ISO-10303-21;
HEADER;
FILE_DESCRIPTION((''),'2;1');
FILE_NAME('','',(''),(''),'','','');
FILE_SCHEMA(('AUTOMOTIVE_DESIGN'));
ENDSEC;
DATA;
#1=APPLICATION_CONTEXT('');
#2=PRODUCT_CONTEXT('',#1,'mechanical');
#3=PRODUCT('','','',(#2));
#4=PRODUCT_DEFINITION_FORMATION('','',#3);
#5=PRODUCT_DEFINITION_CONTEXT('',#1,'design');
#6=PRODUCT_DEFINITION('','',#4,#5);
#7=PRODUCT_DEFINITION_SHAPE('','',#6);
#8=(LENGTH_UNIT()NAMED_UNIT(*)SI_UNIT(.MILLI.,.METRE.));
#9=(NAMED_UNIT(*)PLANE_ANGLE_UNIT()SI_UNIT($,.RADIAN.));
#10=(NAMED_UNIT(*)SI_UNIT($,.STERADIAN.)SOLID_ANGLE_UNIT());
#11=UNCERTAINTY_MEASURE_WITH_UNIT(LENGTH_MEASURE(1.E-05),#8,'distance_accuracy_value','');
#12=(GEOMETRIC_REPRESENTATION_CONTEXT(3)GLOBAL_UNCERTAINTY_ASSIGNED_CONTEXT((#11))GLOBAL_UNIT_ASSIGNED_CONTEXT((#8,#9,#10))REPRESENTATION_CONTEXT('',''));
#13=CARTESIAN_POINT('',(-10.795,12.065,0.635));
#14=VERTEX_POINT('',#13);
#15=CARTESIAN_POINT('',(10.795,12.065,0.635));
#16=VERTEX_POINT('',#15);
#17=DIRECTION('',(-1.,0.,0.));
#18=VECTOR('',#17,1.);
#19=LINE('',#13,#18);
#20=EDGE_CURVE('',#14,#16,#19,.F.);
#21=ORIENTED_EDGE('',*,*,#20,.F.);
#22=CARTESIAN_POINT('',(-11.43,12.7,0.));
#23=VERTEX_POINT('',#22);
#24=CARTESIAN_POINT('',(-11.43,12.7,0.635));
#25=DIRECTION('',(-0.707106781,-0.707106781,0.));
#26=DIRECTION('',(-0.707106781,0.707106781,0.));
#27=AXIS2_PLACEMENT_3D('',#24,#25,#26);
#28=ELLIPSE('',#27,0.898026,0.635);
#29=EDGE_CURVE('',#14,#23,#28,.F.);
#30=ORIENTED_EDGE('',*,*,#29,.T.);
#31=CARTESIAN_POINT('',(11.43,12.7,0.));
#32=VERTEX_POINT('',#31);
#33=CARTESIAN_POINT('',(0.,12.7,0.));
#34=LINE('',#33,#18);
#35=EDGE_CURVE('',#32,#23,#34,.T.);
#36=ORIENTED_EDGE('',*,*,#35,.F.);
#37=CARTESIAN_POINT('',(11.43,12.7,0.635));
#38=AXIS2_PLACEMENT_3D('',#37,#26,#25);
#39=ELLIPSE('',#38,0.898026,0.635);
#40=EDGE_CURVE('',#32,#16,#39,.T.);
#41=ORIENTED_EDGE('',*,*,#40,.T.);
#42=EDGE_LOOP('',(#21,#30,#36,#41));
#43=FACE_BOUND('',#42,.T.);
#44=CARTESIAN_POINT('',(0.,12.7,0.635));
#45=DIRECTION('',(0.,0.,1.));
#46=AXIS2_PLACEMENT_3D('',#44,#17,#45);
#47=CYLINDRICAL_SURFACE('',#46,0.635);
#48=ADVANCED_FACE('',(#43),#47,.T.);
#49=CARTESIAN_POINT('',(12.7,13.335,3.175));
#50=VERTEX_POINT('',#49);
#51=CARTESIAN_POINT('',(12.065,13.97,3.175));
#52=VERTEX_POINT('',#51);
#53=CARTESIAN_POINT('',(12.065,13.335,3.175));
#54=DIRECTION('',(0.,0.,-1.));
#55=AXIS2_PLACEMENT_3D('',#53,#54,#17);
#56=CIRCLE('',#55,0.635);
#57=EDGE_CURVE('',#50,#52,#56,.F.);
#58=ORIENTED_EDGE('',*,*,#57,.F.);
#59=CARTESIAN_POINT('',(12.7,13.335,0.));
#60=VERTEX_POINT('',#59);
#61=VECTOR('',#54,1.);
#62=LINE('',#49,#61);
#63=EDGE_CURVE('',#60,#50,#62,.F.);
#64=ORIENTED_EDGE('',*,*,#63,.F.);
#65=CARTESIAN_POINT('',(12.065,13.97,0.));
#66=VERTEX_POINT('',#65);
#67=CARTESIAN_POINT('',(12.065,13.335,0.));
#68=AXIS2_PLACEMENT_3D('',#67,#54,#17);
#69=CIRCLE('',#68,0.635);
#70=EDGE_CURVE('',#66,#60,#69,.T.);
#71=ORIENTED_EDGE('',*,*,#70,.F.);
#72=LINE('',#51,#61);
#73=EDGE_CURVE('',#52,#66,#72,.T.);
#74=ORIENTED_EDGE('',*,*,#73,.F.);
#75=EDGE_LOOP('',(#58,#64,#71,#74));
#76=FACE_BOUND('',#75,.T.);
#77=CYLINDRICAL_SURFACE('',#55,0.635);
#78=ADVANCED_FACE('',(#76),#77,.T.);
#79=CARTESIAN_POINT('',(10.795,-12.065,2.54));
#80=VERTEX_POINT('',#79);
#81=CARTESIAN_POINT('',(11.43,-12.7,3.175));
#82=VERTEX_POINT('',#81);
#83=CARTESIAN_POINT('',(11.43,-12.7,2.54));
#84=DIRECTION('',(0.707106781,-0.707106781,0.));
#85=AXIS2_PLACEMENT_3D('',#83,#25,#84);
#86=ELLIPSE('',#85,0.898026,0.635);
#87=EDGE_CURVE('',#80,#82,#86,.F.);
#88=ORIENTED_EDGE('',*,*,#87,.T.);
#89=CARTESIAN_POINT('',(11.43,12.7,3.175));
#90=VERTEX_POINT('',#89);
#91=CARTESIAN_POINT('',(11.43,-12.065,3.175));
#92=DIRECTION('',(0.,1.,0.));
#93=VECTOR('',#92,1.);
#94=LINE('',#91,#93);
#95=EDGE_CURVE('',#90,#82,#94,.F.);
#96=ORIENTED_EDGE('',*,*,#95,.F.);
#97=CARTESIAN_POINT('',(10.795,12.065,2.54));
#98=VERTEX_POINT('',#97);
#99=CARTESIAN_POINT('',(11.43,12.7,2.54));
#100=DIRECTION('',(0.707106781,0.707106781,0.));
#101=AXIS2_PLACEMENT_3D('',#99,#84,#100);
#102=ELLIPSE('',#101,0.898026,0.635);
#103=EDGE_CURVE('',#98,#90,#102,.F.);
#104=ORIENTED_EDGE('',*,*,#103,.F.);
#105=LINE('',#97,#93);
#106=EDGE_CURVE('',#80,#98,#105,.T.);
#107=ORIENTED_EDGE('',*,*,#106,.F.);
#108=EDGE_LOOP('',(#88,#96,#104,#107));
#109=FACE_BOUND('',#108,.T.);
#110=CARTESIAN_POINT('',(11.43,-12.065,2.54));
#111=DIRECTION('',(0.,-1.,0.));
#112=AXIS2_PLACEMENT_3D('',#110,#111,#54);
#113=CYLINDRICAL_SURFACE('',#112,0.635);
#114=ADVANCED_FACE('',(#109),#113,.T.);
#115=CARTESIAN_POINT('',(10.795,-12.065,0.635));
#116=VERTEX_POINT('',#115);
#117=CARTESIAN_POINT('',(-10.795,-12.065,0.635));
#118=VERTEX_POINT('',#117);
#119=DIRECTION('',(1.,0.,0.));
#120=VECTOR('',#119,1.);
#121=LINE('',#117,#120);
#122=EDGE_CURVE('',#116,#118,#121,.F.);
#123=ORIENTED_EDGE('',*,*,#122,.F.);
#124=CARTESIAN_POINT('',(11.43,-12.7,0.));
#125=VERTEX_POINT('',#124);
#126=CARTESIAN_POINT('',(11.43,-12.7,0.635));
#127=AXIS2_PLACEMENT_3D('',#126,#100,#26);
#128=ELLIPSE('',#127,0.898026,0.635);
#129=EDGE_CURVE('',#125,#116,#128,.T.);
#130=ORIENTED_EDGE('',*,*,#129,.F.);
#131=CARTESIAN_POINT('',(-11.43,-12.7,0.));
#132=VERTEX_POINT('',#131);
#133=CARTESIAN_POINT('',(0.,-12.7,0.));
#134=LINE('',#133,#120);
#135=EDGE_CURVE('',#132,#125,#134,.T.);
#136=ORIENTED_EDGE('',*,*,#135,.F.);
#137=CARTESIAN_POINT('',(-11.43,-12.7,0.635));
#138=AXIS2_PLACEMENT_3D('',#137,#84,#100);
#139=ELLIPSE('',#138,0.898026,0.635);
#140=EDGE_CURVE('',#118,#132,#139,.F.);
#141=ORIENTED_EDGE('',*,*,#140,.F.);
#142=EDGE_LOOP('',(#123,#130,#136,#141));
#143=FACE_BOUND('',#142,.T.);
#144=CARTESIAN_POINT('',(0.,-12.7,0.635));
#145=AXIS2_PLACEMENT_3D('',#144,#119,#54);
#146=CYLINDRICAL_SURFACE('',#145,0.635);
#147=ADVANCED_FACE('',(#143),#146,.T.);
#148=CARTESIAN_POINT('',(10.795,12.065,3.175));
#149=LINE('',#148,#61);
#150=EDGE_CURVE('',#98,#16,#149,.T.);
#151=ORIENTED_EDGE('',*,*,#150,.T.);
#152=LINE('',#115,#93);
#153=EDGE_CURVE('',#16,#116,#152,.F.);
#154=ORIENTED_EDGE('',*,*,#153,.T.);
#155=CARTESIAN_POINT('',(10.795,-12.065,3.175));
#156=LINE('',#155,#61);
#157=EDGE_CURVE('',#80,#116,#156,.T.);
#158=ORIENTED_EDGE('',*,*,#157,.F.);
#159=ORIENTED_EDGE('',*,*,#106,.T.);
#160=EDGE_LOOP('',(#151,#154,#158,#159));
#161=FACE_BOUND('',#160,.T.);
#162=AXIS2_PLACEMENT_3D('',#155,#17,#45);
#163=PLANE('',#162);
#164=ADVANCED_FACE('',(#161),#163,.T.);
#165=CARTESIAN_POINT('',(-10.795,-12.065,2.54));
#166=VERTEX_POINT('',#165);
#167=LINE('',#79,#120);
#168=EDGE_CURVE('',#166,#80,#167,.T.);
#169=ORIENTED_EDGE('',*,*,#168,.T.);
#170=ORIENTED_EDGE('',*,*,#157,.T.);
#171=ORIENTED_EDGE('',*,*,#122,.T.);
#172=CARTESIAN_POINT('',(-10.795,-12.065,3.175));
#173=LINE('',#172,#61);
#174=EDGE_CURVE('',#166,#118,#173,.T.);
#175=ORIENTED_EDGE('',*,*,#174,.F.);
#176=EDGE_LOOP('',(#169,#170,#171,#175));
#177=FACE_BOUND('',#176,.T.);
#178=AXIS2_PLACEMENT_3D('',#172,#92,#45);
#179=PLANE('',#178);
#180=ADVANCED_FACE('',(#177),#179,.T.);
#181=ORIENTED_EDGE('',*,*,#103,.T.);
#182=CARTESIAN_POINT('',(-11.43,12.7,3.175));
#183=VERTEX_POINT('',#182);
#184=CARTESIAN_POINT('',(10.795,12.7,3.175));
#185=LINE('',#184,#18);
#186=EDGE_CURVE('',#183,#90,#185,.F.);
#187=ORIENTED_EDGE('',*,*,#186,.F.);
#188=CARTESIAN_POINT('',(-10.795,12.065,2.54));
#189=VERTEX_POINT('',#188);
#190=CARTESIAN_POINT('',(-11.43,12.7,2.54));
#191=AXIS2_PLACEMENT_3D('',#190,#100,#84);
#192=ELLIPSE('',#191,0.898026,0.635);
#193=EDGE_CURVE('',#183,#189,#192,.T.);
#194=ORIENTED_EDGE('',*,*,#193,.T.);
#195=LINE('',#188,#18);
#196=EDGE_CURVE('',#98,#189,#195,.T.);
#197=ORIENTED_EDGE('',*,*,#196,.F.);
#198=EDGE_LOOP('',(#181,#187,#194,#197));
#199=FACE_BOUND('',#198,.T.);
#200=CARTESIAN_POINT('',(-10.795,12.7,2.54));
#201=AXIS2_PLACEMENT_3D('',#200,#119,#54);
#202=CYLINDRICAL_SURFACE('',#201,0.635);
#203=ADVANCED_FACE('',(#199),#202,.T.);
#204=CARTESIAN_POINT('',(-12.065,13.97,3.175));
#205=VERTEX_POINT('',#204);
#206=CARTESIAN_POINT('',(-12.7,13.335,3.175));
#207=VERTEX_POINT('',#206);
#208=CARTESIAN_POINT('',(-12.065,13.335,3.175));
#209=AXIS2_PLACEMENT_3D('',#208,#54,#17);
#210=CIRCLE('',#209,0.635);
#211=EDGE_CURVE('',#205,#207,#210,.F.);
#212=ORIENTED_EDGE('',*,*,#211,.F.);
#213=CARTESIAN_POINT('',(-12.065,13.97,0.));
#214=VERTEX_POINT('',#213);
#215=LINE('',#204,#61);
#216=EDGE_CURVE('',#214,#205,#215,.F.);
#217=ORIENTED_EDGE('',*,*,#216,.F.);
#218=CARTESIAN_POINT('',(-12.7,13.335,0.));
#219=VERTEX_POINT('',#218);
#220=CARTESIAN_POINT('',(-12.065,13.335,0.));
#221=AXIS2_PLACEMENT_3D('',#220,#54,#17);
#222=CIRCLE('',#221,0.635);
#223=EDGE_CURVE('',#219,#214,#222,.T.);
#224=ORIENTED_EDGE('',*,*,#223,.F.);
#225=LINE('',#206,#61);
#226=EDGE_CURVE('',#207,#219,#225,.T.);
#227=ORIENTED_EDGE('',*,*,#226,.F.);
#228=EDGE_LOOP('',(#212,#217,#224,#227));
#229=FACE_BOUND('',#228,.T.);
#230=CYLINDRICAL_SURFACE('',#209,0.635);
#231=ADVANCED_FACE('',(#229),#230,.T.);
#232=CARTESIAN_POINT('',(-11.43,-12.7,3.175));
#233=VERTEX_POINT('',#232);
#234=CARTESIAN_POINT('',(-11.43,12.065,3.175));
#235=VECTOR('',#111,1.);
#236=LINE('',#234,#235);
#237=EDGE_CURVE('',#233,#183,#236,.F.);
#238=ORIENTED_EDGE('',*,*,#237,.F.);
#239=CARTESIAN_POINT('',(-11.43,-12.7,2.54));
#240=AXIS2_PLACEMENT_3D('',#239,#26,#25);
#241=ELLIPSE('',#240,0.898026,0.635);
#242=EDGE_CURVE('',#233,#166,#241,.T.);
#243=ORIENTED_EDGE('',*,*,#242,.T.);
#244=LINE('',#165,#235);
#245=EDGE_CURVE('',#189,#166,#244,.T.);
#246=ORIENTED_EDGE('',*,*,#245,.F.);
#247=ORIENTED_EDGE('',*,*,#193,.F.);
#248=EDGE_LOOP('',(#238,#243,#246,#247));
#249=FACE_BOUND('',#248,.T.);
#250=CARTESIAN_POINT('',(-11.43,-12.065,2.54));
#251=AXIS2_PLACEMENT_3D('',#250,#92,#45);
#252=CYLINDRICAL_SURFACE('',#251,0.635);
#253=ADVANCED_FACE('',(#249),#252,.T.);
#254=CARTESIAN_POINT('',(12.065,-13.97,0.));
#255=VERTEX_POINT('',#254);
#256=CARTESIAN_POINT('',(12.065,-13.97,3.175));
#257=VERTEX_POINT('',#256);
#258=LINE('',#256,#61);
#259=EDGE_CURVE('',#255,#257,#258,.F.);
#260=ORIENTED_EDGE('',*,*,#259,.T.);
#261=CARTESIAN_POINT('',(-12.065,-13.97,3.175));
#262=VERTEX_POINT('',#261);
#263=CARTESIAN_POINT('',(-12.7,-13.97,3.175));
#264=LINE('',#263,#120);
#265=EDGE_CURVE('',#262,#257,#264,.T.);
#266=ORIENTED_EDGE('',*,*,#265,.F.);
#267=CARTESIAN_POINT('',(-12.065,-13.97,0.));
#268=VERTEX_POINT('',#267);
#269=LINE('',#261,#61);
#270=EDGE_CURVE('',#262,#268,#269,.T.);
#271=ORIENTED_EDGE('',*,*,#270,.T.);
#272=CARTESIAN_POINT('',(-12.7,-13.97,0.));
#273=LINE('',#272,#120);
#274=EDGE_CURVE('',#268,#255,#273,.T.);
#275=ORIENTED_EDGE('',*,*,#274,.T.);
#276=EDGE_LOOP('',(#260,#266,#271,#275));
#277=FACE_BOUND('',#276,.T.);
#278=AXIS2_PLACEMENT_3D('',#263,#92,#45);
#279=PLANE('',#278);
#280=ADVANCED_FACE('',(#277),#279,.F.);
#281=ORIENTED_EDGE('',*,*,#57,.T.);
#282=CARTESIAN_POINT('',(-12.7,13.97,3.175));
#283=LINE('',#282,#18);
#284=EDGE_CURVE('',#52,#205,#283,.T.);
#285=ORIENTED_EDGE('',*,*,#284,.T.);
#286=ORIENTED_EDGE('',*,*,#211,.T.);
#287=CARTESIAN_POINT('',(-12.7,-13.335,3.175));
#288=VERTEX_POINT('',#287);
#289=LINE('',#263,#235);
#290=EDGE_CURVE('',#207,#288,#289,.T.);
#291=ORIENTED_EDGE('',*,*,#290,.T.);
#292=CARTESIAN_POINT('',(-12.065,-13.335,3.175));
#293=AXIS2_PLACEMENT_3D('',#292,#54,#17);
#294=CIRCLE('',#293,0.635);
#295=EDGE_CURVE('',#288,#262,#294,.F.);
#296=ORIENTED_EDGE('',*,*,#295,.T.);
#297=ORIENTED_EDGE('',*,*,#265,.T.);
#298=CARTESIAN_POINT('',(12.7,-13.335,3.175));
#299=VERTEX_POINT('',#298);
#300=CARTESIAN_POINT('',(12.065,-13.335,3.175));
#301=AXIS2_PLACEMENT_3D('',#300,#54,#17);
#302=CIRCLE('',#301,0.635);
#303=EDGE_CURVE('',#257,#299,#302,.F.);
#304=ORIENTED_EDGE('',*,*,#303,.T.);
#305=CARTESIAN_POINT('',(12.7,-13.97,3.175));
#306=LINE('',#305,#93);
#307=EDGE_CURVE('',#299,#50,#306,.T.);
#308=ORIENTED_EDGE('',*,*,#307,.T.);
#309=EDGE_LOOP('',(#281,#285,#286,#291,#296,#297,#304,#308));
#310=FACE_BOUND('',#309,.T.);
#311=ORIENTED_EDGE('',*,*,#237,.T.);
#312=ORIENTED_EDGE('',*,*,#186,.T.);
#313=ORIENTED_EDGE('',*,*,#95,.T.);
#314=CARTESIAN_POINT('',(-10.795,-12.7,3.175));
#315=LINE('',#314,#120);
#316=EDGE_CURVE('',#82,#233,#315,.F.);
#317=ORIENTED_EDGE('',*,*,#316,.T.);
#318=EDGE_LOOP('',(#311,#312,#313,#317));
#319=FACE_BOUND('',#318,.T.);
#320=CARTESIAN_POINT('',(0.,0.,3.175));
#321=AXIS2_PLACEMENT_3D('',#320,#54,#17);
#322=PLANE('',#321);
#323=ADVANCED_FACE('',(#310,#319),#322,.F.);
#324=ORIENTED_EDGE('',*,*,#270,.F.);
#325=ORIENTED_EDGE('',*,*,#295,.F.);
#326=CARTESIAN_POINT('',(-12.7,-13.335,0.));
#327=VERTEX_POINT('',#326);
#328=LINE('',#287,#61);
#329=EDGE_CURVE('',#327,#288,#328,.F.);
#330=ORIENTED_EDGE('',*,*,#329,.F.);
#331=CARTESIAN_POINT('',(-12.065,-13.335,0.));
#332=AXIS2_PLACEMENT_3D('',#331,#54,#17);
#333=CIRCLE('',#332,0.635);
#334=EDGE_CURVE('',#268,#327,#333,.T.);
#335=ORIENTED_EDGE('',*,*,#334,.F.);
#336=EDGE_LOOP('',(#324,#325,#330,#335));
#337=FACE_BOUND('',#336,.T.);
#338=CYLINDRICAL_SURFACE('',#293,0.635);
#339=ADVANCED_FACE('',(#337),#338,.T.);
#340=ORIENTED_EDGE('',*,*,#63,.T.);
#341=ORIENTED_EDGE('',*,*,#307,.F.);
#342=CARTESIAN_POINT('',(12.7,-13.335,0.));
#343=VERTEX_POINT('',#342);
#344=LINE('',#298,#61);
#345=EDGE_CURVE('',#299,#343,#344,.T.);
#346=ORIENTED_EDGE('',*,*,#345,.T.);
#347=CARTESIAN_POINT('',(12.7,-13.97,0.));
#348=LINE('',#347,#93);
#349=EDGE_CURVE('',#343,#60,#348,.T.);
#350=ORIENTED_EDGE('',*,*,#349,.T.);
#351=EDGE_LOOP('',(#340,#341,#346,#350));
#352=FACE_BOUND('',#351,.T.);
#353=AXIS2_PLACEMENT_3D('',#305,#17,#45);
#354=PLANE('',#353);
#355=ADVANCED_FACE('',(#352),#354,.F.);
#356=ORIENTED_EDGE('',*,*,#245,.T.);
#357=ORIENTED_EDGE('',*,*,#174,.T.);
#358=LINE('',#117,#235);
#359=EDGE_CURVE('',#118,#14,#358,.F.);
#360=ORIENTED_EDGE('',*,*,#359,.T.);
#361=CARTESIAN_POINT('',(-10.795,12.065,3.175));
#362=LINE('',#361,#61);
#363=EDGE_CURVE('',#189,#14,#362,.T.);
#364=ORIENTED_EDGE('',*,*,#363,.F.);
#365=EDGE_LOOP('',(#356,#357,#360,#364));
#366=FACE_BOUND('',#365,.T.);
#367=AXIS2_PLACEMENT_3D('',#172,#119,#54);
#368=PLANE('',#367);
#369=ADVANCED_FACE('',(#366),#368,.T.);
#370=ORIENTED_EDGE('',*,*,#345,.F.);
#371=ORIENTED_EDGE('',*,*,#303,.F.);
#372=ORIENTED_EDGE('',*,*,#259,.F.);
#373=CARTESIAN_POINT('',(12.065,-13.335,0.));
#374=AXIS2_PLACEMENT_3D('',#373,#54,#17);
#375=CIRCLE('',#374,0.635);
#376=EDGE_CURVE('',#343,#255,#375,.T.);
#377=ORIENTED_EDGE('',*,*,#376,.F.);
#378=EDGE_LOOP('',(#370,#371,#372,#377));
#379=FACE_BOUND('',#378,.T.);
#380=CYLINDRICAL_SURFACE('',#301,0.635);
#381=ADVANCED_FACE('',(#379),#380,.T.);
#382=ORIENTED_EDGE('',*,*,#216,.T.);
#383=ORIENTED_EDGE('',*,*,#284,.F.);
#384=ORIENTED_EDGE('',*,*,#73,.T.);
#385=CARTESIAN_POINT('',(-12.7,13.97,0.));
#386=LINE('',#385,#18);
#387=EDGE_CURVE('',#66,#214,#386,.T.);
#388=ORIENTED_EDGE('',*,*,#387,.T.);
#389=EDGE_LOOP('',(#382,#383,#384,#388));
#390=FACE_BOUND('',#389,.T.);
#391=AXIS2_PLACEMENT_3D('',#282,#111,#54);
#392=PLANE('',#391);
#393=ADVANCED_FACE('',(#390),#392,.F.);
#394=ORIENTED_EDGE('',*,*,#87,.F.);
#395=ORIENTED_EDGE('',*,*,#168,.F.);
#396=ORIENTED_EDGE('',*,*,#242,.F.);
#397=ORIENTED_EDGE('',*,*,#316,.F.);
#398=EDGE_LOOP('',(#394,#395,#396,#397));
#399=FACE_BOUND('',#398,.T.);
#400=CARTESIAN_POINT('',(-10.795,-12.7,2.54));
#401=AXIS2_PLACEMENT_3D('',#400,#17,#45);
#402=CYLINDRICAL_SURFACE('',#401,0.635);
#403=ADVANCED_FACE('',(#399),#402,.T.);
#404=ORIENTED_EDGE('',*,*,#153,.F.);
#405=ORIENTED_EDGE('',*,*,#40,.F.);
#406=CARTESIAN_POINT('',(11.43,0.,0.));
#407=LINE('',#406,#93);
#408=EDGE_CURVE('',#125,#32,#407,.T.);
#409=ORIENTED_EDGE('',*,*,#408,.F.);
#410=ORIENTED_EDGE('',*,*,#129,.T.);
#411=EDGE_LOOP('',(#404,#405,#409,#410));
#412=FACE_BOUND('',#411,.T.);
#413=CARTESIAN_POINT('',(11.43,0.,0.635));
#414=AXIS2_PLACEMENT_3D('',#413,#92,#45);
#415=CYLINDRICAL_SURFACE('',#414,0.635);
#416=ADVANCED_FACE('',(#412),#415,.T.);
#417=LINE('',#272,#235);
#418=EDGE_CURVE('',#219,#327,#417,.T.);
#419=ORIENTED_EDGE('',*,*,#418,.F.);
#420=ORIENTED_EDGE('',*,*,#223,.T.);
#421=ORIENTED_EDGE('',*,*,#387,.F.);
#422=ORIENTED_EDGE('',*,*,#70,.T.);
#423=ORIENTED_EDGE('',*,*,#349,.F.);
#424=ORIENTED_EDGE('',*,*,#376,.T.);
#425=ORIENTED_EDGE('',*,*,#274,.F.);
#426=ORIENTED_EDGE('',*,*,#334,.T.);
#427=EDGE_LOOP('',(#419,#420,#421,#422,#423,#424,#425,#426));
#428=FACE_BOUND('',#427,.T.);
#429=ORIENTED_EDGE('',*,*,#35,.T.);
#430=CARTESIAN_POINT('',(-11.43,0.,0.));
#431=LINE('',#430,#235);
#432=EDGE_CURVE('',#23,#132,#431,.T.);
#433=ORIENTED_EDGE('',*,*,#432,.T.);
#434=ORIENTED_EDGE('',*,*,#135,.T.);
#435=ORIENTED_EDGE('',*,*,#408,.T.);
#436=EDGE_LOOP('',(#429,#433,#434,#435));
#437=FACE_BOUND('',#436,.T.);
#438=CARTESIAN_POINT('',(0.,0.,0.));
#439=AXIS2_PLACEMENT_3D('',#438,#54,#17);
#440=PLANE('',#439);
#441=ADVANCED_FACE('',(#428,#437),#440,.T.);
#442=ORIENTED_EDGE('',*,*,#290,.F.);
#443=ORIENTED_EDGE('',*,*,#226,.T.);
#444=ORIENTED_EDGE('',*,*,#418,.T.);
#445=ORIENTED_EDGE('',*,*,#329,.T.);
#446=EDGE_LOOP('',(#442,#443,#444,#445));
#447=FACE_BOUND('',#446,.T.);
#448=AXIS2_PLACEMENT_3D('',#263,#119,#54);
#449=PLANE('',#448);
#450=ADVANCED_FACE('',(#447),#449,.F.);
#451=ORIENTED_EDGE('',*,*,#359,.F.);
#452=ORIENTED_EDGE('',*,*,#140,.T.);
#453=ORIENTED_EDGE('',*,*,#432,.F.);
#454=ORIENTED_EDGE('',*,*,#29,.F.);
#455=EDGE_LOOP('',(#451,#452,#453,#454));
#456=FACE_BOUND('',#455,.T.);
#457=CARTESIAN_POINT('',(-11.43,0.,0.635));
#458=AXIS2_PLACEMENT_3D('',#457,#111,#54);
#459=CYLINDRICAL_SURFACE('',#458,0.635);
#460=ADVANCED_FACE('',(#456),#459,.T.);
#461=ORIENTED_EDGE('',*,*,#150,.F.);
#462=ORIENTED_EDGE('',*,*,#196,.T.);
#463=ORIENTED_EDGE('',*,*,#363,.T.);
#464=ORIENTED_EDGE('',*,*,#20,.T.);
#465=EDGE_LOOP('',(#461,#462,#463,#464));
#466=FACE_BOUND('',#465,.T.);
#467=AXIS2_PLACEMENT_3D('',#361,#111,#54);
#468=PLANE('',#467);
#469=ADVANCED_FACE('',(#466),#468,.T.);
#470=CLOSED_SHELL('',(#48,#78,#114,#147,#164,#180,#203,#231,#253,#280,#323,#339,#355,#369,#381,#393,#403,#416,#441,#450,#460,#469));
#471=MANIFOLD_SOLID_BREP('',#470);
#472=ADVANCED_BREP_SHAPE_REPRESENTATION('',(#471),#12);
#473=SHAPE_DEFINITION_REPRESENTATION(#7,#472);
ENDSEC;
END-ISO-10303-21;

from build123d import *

# Parameters (mm, degrees)
SKETCH1_W           = 25.4
SKETCH1_H           = 27.94
SKETCH1_W_2         = 21.59
SKETCH1_H_2         = 24.13
BOSS_EXTRUDE1_DEPTH = 3.175
FILLET1_R           = 0.635


with BuildPart() as part:
    # Sketch1 → Boss-Extrude1 (new body)
    with BuildSketch(Plane.XY):
        Rectangle(SKETCH1_W, SKETCH1_H)
        Rectangle(SKETCH1_W_2, SKETCH1_H_2, mode=Mode.SUBTRACT)
    extrude(amount=BOSS_EXTRUDE1_DEPTH)

    # Fillet1
    fillet1_edges = [part.edges().sort_by_distance(p)[0] for p in [
        (10.795, 0, 0),
        (0, 12.065, 0),
        (-10.795, 0, 0),
        (0, -12.065, 0),
        (10.795, 0, 3.175),
        (0, 12.065, 3.175),
        (-10.795, 0, 3.175),
        (0, -12.065, 3.175),
        (12.7, -13.97, 1.5875),
        (-12.7, -13.97, 1.5875),
        (-12.7, 13.97, 1.5875),
        (12.7, 13.97, 1.5875),
    ]]
    fillet(fillet1_edges, radius=FILLET1_R)


solid = part.part
